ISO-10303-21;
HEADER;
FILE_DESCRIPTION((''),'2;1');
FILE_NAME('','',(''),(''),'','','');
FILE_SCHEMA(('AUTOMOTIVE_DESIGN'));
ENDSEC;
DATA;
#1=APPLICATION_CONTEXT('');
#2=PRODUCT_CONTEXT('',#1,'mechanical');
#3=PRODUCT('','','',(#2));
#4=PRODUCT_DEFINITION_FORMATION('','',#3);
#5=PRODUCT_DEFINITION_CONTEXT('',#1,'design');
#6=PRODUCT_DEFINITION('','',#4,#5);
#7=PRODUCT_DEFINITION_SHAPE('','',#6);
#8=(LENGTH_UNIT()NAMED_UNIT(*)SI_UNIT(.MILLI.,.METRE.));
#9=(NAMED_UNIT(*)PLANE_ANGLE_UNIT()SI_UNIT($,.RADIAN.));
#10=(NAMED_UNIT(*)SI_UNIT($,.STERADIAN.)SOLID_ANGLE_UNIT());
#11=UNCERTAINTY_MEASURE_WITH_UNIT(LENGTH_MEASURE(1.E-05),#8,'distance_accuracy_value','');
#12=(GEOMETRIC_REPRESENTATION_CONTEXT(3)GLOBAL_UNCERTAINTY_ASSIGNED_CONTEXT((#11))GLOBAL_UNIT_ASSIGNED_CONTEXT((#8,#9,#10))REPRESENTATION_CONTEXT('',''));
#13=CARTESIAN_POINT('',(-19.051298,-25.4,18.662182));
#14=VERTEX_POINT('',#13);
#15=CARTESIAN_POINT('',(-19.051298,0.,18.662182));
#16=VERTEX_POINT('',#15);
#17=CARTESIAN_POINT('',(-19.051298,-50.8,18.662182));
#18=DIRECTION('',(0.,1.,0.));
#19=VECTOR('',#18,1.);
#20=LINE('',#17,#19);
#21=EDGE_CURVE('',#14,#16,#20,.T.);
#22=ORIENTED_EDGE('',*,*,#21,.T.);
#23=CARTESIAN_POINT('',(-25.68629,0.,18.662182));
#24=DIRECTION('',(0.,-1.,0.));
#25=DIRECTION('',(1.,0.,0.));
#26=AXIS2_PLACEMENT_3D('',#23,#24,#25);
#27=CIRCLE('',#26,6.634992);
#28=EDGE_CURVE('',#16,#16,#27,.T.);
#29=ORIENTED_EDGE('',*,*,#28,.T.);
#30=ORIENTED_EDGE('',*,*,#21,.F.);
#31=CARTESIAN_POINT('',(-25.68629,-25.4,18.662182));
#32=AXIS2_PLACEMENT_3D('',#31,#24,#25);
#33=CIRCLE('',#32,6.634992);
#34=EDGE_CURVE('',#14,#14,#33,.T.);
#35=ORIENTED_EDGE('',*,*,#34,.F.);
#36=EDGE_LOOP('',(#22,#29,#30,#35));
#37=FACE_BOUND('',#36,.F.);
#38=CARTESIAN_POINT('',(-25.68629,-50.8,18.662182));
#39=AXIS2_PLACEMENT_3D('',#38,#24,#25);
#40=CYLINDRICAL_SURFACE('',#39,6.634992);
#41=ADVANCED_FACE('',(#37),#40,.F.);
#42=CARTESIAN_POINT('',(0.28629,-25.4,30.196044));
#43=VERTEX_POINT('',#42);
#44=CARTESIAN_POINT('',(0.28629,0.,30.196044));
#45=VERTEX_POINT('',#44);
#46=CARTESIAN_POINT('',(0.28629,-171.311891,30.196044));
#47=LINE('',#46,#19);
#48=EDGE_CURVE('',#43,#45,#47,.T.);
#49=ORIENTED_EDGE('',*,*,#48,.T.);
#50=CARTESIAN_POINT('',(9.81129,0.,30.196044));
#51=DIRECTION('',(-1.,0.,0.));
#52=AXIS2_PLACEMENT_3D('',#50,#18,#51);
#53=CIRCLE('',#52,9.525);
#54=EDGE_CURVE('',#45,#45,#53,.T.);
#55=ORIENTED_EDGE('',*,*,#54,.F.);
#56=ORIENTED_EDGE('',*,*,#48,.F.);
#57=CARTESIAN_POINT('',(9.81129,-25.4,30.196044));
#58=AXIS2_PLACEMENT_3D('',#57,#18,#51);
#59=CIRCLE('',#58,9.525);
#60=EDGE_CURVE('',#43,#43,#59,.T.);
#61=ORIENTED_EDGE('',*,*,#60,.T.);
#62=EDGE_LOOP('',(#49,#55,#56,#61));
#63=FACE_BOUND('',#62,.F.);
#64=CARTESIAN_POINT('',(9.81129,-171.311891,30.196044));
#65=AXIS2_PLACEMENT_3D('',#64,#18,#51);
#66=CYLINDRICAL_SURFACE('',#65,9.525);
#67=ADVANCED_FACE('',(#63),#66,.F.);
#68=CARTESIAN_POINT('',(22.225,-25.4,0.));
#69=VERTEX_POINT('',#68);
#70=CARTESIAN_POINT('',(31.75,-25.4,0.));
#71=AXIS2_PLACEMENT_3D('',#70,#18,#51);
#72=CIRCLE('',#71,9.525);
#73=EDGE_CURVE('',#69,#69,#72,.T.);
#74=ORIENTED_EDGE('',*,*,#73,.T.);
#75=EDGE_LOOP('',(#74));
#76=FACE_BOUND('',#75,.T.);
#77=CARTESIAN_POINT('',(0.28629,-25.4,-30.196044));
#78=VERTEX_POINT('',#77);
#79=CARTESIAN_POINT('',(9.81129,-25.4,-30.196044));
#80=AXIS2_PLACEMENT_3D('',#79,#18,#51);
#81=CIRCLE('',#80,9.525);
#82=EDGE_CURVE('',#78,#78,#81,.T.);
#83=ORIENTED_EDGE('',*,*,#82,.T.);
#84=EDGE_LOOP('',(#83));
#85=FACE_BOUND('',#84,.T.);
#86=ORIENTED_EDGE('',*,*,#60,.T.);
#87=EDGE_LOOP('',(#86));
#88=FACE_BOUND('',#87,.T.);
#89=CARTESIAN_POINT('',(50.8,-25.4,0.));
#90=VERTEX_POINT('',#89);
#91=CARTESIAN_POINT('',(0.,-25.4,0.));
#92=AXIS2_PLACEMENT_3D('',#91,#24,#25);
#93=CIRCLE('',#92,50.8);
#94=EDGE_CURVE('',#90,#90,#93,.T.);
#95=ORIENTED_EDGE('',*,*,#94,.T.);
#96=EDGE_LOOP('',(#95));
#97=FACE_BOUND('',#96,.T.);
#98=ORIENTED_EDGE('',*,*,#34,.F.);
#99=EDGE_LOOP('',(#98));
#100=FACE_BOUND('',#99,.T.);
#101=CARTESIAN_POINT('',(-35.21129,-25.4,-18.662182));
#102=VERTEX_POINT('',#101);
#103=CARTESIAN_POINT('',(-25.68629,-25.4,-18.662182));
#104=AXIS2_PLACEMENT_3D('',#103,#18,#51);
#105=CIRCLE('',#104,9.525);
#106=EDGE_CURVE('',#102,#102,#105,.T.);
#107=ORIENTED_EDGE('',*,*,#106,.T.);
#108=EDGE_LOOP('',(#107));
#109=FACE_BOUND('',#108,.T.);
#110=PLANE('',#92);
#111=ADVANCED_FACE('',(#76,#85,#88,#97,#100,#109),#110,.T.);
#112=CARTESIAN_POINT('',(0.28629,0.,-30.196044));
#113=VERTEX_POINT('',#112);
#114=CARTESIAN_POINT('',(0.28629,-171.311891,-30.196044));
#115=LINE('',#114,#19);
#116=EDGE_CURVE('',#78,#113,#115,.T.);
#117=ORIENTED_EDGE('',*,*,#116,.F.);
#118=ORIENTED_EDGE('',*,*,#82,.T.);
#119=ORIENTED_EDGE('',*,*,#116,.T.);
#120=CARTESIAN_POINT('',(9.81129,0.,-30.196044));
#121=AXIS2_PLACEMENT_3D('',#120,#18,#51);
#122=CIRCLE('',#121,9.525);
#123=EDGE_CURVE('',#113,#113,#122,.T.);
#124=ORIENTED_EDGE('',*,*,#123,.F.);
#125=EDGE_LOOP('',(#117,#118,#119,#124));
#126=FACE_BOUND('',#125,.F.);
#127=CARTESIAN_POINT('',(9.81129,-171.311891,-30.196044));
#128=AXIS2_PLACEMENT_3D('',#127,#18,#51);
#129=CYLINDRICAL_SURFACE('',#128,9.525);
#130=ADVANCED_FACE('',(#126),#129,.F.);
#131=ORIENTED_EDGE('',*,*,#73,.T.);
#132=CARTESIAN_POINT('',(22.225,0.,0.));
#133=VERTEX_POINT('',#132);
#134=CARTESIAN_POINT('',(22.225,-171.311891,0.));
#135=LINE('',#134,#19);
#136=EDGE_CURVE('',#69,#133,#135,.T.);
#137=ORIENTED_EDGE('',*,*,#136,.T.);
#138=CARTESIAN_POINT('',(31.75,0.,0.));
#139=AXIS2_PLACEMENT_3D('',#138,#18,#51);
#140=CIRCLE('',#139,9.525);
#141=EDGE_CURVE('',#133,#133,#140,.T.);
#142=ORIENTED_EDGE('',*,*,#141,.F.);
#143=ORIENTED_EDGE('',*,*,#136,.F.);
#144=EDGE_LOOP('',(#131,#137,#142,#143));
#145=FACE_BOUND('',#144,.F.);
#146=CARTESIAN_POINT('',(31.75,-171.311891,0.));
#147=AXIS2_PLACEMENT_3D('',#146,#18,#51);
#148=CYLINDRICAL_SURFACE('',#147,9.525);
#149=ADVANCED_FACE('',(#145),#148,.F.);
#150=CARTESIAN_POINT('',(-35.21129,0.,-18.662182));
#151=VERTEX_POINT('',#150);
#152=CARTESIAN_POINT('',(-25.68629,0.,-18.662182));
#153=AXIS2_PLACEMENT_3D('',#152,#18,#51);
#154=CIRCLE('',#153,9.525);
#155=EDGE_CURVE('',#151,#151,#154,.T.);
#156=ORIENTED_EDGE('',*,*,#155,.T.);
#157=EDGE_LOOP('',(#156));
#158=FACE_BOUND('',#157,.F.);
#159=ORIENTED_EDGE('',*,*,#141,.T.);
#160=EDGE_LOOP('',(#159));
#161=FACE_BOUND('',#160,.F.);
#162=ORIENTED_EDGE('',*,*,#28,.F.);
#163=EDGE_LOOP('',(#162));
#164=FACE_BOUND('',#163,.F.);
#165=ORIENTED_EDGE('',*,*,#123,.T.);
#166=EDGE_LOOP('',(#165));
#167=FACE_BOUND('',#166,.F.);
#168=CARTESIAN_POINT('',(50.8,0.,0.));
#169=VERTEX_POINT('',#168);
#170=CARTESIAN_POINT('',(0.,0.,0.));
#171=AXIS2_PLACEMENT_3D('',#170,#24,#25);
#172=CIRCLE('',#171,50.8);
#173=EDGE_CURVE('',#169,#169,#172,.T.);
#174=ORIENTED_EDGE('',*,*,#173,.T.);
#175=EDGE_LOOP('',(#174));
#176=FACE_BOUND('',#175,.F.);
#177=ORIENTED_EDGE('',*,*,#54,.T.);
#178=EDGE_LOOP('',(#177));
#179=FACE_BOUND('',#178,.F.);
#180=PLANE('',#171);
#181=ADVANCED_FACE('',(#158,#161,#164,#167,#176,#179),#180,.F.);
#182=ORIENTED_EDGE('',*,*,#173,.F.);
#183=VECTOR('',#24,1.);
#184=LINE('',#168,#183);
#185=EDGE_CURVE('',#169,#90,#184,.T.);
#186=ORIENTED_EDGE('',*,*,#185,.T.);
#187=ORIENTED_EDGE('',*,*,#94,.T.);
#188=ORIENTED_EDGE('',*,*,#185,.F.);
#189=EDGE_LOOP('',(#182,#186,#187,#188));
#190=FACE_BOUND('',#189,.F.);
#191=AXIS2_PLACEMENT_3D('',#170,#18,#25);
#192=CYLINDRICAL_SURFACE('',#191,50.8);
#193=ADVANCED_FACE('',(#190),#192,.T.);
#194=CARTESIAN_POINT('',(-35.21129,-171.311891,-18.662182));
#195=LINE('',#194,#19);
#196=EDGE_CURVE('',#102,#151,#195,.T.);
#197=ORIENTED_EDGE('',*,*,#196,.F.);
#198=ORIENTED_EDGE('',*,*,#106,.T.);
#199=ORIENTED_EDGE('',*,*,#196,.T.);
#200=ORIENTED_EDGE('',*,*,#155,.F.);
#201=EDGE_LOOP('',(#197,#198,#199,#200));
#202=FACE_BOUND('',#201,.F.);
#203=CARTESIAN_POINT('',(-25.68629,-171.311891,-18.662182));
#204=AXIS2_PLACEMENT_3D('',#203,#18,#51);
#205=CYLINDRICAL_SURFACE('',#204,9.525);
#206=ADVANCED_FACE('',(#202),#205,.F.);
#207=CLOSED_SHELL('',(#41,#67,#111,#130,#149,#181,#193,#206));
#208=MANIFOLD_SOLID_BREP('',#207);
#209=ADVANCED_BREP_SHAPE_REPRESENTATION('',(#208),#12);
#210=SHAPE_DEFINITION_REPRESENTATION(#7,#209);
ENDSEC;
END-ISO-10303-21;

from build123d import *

# Parameters (mm, degrees)
F0_R      = 50.8
F1_DEPTH  = 25.4
F3_D      = 19.05
F4_R      = 6.634992
F5_DEPTH  = 25.4
F6_R      = 3.175
F7_DEPTH  = 25.4
F5_FACE_R = 6.634992
F8_DEPTH  = 101.6


with BuildPart() as f1:
    # F0 (on Front) → F1 (new body)
    with BuildSketch(Plane.XZ):
        Circle(F0_R)
        Polygon((15.875, 27.496307), (31.75, 0), (15.875, -27.496307), (-15.875, -27.496307), (-31.75, 0), (-15.875, 27.496307), align=None, mode=Mode.SUBTRACT)
        Polygon((15.875, -27.496307), (31.75, 0), (15.875, 27.496307), (-15.875, 27.496307), (-31.75, 0), (-15.875, -27.496307), align=None)
    extrude(amount=F1_DEPTH)

    # F3 (through all)
    with Locations(Plane.XZ.offset(25.4)):
        with Locations((9.81129, 30.196044), (31.75, 0), (-25.68629, -18.662182), (9.81129, -30.196044)):
            Hole(F3_D / 2)

    # F4 (on face) → F5 (join)
    with BuildSketch(Plane.XZ.offset(25.4)):
        with Locations((-25.68629, 18.662182)):
            Circle(F4_R)
    extrude(amount=F5_DEPTH)

    # F6 (on face) → F7 (join)
    with BuildSketch(Plane.XZ.offset(25.4)):
        with Locations((-25.68629, 18.662182)):
            Circle(F6_R)
    extrude(amount=F7_DEPTH)

    # F5_face (on face) → F8 (cut)
    with BuildSketch(Plane(origin=(-25.68629, -50.8, 18.662182), x_dir=(1, 0, 0), z_dir=(0, -1, 0))):
        Circle(F5_FACE_R)
    extrude(amount=-F8_DEPTH, mode=Mode.SUBTRACT)


solid = f1.part
